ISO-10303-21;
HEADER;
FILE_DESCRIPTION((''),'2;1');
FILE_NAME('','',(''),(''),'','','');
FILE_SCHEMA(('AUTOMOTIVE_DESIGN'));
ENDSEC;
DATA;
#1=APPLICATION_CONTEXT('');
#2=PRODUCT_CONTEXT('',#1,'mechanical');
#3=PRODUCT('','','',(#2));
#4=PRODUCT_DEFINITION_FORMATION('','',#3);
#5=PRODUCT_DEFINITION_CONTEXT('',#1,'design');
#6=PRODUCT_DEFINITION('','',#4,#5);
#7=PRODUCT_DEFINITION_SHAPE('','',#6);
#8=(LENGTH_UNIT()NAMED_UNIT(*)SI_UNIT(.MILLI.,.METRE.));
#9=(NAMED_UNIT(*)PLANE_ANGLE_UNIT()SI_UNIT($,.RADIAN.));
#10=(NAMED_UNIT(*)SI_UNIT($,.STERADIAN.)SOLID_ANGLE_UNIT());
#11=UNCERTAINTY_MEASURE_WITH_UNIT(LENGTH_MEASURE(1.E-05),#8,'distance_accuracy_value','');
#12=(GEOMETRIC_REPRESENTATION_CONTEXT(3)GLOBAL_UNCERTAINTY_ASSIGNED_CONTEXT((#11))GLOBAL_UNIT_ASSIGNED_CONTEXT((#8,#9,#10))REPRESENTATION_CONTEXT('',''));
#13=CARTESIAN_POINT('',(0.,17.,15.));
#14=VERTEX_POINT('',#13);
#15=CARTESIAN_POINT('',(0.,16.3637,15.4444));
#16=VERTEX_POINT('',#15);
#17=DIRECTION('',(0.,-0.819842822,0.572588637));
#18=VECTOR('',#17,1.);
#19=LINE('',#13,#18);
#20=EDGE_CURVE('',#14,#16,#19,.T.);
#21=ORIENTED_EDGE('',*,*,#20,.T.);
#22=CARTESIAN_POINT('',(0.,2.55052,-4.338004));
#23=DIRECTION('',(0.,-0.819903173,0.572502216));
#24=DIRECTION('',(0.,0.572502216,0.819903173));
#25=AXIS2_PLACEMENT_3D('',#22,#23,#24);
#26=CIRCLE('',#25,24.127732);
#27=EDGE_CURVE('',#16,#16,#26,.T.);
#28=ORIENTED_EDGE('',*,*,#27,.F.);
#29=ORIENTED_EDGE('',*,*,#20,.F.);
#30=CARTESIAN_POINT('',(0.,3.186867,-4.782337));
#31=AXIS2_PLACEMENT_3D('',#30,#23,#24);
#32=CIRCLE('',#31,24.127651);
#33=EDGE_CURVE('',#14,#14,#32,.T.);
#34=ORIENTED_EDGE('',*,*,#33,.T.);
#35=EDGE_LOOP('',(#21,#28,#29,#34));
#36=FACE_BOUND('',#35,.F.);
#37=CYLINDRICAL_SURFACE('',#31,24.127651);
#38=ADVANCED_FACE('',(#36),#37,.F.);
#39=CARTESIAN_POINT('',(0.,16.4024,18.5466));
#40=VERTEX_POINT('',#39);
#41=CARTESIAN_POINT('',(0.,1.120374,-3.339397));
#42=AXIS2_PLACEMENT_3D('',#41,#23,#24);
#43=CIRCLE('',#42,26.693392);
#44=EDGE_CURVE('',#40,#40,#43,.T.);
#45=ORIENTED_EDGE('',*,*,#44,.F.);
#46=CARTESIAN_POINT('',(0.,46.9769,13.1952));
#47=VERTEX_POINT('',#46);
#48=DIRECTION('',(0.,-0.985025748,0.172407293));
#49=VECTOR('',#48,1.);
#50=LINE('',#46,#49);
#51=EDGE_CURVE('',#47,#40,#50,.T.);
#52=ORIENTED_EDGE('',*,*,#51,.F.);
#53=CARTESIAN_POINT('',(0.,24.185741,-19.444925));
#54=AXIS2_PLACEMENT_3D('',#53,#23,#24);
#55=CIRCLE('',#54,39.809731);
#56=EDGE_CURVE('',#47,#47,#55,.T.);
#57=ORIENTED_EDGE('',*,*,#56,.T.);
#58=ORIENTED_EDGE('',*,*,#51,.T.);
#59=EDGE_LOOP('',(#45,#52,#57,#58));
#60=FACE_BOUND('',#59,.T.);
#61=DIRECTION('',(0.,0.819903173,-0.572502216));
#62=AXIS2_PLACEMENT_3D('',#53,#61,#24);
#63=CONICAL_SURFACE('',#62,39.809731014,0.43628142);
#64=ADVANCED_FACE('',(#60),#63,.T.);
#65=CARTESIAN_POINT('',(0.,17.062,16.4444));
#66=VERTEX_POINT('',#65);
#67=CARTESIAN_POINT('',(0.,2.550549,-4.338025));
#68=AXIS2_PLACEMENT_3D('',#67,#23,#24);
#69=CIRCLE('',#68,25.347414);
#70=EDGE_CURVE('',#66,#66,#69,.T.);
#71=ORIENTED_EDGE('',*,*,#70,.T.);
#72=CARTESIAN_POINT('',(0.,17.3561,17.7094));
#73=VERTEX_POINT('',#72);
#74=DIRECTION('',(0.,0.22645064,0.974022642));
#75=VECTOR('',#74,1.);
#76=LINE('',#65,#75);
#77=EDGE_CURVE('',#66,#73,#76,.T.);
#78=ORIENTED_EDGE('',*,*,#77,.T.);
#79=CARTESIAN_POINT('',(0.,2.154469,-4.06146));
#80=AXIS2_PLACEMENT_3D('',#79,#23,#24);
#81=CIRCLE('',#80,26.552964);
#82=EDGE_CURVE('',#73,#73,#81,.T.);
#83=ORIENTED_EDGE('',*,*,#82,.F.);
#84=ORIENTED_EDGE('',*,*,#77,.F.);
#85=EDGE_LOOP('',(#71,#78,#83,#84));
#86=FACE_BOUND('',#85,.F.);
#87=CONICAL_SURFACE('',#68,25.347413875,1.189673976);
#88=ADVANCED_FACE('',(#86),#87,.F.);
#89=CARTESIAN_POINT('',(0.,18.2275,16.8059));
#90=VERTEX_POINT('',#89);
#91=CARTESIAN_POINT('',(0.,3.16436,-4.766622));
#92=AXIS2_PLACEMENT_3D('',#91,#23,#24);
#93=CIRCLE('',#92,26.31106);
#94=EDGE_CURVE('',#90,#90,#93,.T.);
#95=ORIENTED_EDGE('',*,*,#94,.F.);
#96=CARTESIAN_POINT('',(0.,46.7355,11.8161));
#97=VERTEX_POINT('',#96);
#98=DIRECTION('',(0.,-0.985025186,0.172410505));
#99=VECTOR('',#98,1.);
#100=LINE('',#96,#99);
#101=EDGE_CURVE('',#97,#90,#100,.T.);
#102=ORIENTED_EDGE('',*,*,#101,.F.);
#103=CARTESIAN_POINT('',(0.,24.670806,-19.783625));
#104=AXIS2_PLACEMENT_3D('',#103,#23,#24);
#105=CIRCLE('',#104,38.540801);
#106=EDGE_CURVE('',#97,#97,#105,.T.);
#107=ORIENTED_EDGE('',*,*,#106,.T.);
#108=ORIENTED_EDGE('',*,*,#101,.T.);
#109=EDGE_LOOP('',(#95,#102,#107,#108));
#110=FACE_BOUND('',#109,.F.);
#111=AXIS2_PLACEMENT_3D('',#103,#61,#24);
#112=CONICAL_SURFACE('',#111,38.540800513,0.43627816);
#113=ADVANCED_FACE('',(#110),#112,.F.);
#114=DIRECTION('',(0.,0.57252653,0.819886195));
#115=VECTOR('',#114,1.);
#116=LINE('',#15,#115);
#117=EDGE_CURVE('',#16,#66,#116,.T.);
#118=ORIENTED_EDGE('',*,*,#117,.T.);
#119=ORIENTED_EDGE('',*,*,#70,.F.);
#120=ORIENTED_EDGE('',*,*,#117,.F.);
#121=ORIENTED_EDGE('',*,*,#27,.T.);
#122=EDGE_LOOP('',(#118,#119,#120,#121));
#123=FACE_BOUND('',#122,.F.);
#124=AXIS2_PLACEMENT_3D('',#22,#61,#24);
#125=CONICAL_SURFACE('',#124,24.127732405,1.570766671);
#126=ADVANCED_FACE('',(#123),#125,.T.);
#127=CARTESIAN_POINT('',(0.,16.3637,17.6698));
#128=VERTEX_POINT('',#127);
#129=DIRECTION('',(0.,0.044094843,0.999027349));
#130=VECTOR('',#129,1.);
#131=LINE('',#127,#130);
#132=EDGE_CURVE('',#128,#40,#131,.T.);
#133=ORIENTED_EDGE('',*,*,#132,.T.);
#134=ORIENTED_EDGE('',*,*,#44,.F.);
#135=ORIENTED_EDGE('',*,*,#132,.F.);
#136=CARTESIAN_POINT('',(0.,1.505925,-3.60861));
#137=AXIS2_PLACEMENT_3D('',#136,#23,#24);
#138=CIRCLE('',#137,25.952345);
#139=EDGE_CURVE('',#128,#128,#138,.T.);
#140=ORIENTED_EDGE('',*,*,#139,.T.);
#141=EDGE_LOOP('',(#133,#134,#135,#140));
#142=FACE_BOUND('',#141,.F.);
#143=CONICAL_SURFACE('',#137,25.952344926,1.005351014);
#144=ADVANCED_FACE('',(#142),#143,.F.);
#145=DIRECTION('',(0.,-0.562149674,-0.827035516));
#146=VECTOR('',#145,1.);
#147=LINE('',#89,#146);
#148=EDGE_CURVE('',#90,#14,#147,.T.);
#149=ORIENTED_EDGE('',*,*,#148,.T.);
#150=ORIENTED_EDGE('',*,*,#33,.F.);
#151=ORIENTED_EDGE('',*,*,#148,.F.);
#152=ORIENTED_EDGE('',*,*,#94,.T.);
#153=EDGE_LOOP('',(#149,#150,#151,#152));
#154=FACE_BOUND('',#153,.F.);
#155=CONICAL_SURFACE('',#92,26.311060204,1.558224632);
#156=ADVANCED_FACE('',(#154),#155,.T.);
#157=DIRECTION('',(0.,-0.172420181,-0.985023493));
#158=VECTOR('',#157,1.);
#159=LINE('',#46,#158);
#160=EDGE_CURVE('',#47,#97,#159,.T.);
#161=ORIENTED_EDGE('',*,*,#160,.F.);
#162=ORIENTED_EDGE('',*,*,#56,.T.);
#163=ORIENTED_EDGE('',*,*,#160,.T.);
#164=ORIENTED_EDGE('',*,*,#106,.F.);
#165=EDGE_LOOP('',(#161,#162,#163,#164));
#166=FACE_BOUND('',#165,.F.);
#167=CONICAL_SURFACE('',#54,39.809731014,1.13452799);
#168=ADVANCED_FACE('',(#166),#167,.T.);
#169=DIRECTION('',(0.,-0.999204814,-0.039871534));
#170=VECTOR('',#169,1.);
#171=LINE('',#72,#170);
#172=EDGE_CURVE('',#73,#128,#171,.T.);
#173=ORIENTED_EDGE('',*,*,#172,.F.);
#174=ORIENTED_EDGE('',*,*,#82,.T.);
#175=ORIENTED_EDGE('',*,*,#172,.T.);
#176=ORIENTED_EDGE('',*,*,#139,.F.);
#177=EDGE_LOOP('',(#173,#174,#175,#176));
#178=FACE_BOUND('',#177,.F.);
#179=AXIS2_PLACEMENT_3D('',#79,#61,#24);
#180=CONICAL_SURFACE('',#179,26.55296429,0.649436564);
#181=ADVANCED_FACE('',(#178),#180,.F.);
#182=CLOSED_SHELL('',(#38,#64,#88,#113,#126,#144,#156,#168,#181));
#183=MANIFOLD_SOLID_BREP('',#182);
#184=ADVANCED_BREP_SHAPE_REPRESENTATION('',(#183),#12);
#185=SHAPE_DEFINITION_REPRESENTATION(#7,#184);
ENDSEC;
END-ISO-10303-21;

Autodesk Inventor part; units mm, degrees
ref_plane "YZ Plane" through (0, 0, 0) normal (1, 0, 0) x (0, 1, 0)
ref_plane "XZ Plane" through (0, 0, 0) normal (0, 1, 0) x (-1, 0, 0)
ref_plane "XY Plane" through (0, 0, 0) normal (0, 0, 1) x (1, 0, 0)
sketch "Sketch68" plane through (0, 0, 0) normal (1, 0, 0) x (0, 1, 0)
  line L0 (1, 4.6737) -> (23, 4.6737) construction
  line L1 (7.0021, -2.9903) -> (-7.0029, -0.0135)
  line L2 (7.2385, 26.8729) -> (5.7713, 27.1847)
  line L3 (2.4565, 4.3755) -> (1, 4.6737)
  line L4 (5.7713, 27.1847) -> (1, 4.6737)
  line L5 (7.2385, 26.8729) -> (2.4565, 4.3755)
  point P0 (0, 0)
  point P1 (2.225, 5.1772)
sketch "Sketch184" plane through (0, 0, 0) normal (1, 0, 0) x (0, 1, 0)
  arc A0 (-3.5, -3.0972) -> (0, -1.6204) centre (-4.281, 3.6397) ccw
  arc A1 (0, -1.6204) -> (2.2822, 2) centre (-4.3557, 3.6547) ccw
  arc A2 (2.2822, 2) -> (2.459, 4.3851) centre (-8.8285, 4.0231) ccw
  arc A3 (2.459, 4.3851) -> (2.3883, 6) centre (-72.7121, 1.9029) ccw
  line L0 (-3.5, -3.0972) -> (-3.5, -3.6807) projected
  arc A4 (2.3883, 6) -> (-3.5, -3.0972) centre (8.6947, -4.5362) ccw
  point P0 (0, 0)
sketch "Sketch213" plane through (0, 0, 0) normal (1, 0, 0) x (0, 1, 0)
  line L0 (13.3414, -11.8728) -> (-10.8201, 5)
  line L1 (46.9769, 13.1952) -> (16.4024, 18.5466)
  line L2 (-14, -25) -> (0.7357, -50.4491)
  line L3 (0.7357, -50.4491) -> (1.9473, -49.7476)
  line L4 (46.9769, 13.1952) -> (46.7355, 11.8161)
  line L5 (1.9473, -49.7476) -> (-11.7207, -26.1425)
  line L6 (-11.7207, -26.1425) -> (-10, -24)
  line L7 (-10, -24) -> (-10.853, -23.4043)
  line L8 (-10.853, -23.4043) -> (-11.992, -25.0353)
  line L9 (-11.992, -25.0353) -> (-13.0313, -25.7169)
  line L10 (-13.0313, -25.7169) -> (-11.992, -25.0353) projected
  line L11 (-13.0313, -25.7169) -> (-12.7653, -23.856)
  line L12 (-12.7653, -23.856) -> (-14, -25)
  line L13 (46.7355, 11.8161) -> (18.2275, 16.8059)
  line L14 (18.2275, 16.8059) -> (17, 15)
  line L15 (17, 15) -> (16.3637, 15.4444)
  line L16 (-11.992, -25.0353) -> (16.9748, 16.4444) projected
  line L17 (16.3637, 15.4444) -> (17.062, 16.4444)
  line L18 (17.062, 16.4444) -> (17.3561, 17.7094)
  line L19 (17.3561, 17.7094) -> (16.3637, 17.6698)
  line L20 (16.3637, 17.6698) -> (16.4024, 18.5466)
  point P0 (0, 0)
  point P1 (3.3399, -2.2736)
  point P2 (-1.2043, -8.7808)
  dimension "d600" = 1.4
  dimension "d601" = 1.4
  dimension "d603" = 1.265
revolve "Revolution5" add sketch "Sketch213" angle 360 about axis through (0, 13.3414, -11.8728) along (0, -0.8199, 0.5725) contours L4 L13 L14 L15 L17 L18 L19 L20 L1
properties part number "A1_V1_M2_dropArm_WOK_meso_tall_VIS_FULL"
